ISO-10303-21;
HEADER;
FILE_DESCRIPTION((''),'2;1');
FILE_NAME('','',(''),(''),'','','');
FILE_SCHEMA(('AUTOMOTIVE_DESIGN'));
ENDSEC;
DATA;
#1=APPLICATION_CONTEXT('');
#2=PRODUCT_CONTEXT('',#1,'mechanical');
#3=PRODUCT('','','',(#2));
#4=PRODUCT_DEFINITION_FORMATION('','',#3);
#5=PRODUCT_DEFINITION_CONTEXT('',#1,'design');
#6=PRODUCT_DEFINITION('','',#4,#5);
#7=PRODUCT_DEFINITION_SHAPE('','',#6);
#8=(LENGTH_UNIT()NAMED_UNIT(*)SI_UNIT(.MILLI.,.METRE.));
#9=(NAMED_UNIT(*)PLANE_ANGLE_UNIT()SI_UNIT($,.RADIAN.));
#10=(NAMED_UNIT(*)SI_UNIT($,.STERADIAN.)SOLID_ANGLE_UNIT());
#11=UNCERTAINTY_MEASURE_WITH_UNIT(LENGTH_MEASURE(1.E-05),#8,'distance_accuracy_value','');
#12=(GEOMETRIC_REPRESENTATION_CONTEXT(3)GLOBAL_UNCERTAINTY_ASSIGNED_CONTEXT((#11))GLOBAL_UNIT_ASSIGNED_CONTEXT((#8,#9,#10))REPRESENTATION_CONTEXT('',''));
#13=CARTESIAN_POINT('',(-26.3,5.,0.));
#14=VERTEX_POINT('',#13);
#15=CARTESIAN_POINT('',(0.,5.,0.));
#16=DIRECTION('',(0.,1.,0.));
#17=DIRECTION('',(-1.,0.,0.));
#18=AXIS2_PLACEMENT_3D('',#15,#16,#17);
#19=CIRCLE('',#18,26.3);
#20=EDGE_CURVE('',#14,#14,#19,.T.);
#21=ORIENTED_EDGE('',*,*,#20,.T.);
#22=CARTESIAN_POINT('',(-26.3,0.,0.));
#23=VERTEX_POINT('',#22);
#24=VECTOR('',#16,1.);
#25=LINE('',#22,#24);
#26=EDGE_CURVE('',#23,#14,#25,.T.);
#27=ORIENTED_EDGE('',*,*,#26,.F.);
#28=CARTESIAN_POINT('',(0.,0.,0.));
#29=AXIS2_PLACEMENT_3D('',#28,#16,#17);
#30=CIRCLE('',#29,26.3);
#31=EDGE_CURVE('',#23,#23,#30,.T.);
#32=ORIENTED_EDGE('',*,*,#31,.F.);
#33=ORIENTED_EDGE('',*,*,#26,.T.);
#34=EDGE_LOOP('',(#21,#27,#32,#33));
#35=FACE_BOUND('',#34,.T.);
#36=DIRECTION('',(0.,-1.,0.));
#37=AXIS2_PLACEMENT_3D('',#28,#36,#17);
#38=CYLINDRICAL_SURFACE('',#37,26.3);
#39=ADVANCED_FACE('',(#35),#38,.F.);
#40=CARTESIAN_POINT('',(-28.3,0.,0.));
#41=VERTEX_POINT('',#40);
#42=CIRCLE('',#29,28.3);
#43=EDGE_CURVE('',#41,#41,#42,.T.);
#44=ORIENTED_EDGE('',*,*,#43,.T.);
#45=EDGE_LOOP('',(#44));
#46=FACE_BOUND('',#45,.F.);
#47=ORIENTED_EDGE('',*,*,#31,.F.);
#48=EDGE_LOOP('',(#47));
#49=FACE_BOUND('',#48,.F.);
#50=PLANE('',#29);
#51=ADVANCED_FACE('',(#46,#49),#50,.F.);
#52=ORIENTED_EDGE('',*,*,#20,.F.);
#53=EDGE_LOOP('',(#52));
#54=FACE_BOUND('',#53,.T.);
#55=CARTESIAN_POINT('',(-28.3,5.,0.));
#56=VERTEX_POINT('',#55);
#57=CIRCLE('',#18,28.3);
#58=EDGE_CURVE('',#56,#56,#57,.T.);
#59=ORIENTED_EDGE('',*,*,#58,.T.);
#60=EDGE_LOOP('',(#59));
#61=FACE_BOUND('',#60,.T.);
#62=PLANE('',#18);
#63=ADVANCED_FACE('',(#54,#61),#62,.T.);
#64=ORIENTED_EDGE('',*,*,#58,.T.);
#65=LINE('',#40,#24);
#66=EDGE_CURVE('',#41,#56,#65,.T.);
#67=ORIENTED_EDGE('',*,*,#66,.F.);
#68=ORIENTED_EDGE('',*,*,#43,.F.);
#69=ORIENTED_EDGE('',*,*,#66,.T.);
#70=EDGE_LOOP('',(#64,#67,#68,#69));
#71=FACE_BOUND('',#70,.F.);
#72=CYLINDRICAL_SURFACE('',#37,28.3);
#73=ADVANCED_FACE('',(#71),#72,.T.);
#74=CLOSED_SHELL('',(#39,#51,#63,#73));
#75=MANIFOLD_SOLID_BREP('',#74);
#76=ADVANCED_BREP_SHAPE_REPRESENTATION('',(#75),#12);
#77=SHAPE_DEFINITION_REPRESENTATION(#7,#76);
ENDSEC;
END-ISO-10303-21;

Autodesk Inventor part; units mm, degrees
ref_plane "YZ Plane" through (0, 0, 0) normal (1, 0, 0) x (0, 1, 0)
ref_plane "XZ Plane" through (0, 0, 0) normal (0, 1, 0) x (-1, 0, 0)
ref_plane "XY Plane" through (0, 0, 0) normal (0, 0, 1) x (1, 0, 0)
sketch "Sketch1" plane through (0, 0, 0) normal (0, 1, 0) x (-1, 0, 0)
  circle A0 centre (0, 0) radius 26.3
  circle A1 centre (0, 0) radius 28.3
  dimension "d0" = 52.6
  dimension "d1" = 2
extrude "Extrusion1" add sketch "Sketch1" along normal blind 5
properties part number "retention_auger_case"
